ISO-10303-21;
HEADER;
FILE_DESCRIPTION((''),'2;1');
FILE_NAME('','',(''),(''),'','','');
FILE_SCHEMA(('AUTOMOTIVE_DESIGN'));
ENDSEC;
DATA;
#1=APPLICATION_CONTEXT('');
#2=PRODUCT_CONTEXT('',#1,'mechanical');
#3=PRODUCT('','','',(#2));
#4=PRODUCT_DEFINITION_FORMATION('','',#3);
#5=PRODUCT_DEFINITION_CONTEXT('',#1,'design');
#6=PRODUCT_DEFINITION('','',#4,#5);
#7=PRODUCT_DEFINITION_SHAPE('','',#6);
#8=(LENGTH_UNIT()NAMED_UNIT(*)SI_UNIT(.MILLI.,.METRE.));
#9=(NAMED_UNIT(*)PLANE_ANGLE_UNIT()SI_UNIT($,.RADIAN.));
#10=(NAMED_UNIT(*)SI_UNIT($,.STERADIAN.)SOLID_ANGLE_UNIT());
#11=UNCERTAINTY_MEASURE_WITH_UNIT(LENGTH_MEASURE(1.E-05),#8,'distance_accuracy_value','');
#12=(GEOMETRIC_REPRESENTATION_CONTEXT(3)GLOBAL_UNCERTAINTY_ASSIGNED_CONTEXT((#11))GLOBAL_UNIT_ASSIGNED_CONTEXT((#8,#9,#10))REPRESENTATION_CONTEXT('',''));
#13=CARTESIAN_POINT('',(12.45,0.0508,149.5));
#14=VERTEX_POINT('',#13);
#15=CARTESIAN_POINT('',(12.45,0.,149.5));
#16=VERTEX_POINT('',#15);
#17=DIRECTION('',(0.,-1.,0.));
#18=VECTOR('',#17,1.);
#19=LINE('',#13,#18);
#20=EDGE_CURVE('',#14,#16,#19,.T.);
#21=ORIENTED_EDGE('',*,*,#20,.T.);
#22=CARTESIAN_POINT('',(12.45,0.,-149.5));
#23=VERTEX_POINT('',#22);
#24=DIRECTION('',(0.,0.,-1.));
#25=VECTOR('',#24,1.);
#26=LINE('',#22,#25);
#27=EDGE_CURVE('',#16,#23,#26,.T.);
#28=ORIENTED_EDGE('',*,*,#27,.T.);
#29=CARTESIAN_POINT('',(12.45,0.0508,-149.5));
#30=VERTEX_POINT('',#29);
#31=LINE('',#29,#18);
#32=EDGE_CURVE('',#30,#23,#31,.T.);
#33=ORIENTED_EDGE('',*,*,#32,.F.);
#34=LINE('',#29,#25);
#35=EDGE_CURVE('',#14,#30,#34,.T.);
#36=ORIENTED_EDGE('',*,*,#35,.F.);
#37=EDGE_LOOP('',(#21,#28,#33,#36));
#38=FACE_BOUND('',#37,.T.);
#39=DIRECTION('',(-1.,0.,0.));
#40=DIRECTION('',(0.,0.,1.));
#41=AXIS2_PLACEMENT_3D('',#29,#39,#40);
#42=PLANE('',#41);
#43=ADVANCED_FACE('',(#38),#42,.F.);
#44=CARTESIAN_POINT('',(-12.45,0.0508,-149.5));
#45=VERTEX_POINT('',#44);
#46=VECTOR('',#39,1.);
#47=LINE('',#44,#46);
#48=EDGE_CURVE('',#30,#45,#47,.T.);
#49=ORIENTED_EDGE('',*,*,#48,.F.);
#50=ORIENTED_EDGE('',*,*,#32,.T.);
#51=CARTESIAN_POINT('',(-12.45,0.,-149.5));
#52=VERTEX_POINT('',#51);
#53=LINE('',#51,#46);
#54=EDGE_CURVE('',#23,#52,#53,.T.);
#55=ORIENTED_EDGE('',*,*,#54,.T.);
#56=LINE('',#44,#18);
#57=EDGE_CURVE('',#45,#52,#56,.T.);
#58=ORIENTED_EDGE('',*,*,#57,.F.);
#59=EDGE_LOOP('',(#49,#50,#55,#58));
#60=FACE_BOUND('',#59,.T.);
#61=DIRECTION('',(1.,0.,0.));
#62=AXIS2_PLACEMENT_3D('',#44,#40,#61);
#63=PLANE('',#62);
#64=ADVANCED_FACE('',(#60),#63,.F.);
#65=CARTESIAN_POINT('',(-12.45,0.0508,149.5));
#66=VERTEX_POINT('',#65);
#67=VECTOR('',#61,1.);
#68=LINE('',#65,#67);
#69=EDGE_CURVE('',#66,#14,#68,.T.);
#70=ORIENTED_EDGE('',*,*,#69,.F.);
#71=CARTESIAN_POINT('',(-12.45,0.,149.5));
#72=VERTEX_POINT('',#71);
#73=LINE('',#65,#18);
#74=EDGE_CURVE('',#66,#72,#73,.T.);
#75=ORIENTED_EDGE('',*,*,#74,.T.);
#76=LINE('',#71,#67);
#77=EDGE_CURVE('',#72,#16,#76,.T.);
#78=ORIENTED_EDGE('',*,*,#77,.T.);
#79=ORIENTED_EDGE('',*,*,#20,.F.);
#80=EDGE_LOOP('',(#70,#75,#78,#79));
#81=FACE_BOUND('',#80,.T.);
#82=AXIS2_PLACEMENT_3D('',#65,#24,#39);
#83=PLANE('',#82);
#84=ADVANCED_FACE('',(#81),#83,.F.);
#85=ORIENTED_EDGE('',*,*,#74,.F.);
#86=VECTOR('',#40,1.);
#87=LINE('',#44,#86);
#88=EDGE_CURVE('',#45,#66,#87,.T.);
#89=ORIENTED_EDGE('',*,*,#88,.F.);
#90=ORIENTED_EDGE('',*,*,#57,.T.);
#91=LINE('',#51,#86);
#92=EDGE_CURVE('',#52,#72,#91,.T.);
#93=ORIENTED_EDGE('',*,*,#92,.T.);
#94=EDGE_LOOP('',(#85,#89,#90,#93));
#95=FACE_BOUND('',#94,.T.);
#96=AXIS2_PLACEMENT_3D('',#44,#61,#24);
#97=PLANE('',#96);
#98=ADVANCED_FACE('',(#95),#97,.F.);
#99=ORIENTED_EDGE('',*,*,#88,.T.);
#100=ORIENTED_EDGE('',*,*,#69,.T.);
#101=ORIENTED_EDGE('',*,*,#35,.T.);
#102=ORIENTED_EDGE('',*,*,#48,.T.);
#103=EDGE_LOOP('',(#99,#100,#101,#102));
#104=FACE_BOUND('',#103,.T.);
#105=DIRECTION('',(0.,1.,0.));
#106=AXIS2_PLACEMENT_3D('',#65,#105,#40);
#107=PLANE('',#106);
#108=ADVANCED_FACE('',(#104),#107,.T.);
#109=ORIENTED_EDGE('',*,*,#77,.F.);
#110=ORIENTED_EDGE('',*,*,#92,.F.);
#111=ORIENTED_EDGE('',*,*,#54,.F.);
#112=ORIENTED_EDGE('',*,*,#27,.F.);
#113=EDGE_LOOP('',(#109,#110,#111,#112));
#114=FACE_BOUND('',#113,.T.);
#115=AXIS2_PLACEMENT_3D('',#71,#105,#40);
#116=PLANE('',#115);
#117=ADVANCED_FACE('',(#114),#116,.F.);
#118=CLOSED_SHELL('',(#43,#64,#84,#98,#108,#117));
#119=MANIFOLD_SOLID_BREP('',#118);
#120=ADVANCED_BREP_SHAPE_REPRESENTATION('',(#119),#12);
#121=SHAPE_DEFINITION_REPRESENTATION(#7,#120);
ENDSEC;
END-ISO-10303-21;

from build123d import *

# Parameters (mm, degrees)
SKETCH1_W      = 24.9
SKETCH1_H      = 299
EXTRUDE1_DEPTH = 0.0508


with BuildPart() as part:
    # Sketch1 → Extrude1 (new body)
    with BuildSketch(Plane(origin=(0, 0, 0), x_dir=(1, 0, 0), z_dir=(0, 1, 0))):
        Rectangle(SKETCH1_W, SKETCH1_H)
    extrude(amount=EXTRUDE1_DEPTH)


solid = part.part
